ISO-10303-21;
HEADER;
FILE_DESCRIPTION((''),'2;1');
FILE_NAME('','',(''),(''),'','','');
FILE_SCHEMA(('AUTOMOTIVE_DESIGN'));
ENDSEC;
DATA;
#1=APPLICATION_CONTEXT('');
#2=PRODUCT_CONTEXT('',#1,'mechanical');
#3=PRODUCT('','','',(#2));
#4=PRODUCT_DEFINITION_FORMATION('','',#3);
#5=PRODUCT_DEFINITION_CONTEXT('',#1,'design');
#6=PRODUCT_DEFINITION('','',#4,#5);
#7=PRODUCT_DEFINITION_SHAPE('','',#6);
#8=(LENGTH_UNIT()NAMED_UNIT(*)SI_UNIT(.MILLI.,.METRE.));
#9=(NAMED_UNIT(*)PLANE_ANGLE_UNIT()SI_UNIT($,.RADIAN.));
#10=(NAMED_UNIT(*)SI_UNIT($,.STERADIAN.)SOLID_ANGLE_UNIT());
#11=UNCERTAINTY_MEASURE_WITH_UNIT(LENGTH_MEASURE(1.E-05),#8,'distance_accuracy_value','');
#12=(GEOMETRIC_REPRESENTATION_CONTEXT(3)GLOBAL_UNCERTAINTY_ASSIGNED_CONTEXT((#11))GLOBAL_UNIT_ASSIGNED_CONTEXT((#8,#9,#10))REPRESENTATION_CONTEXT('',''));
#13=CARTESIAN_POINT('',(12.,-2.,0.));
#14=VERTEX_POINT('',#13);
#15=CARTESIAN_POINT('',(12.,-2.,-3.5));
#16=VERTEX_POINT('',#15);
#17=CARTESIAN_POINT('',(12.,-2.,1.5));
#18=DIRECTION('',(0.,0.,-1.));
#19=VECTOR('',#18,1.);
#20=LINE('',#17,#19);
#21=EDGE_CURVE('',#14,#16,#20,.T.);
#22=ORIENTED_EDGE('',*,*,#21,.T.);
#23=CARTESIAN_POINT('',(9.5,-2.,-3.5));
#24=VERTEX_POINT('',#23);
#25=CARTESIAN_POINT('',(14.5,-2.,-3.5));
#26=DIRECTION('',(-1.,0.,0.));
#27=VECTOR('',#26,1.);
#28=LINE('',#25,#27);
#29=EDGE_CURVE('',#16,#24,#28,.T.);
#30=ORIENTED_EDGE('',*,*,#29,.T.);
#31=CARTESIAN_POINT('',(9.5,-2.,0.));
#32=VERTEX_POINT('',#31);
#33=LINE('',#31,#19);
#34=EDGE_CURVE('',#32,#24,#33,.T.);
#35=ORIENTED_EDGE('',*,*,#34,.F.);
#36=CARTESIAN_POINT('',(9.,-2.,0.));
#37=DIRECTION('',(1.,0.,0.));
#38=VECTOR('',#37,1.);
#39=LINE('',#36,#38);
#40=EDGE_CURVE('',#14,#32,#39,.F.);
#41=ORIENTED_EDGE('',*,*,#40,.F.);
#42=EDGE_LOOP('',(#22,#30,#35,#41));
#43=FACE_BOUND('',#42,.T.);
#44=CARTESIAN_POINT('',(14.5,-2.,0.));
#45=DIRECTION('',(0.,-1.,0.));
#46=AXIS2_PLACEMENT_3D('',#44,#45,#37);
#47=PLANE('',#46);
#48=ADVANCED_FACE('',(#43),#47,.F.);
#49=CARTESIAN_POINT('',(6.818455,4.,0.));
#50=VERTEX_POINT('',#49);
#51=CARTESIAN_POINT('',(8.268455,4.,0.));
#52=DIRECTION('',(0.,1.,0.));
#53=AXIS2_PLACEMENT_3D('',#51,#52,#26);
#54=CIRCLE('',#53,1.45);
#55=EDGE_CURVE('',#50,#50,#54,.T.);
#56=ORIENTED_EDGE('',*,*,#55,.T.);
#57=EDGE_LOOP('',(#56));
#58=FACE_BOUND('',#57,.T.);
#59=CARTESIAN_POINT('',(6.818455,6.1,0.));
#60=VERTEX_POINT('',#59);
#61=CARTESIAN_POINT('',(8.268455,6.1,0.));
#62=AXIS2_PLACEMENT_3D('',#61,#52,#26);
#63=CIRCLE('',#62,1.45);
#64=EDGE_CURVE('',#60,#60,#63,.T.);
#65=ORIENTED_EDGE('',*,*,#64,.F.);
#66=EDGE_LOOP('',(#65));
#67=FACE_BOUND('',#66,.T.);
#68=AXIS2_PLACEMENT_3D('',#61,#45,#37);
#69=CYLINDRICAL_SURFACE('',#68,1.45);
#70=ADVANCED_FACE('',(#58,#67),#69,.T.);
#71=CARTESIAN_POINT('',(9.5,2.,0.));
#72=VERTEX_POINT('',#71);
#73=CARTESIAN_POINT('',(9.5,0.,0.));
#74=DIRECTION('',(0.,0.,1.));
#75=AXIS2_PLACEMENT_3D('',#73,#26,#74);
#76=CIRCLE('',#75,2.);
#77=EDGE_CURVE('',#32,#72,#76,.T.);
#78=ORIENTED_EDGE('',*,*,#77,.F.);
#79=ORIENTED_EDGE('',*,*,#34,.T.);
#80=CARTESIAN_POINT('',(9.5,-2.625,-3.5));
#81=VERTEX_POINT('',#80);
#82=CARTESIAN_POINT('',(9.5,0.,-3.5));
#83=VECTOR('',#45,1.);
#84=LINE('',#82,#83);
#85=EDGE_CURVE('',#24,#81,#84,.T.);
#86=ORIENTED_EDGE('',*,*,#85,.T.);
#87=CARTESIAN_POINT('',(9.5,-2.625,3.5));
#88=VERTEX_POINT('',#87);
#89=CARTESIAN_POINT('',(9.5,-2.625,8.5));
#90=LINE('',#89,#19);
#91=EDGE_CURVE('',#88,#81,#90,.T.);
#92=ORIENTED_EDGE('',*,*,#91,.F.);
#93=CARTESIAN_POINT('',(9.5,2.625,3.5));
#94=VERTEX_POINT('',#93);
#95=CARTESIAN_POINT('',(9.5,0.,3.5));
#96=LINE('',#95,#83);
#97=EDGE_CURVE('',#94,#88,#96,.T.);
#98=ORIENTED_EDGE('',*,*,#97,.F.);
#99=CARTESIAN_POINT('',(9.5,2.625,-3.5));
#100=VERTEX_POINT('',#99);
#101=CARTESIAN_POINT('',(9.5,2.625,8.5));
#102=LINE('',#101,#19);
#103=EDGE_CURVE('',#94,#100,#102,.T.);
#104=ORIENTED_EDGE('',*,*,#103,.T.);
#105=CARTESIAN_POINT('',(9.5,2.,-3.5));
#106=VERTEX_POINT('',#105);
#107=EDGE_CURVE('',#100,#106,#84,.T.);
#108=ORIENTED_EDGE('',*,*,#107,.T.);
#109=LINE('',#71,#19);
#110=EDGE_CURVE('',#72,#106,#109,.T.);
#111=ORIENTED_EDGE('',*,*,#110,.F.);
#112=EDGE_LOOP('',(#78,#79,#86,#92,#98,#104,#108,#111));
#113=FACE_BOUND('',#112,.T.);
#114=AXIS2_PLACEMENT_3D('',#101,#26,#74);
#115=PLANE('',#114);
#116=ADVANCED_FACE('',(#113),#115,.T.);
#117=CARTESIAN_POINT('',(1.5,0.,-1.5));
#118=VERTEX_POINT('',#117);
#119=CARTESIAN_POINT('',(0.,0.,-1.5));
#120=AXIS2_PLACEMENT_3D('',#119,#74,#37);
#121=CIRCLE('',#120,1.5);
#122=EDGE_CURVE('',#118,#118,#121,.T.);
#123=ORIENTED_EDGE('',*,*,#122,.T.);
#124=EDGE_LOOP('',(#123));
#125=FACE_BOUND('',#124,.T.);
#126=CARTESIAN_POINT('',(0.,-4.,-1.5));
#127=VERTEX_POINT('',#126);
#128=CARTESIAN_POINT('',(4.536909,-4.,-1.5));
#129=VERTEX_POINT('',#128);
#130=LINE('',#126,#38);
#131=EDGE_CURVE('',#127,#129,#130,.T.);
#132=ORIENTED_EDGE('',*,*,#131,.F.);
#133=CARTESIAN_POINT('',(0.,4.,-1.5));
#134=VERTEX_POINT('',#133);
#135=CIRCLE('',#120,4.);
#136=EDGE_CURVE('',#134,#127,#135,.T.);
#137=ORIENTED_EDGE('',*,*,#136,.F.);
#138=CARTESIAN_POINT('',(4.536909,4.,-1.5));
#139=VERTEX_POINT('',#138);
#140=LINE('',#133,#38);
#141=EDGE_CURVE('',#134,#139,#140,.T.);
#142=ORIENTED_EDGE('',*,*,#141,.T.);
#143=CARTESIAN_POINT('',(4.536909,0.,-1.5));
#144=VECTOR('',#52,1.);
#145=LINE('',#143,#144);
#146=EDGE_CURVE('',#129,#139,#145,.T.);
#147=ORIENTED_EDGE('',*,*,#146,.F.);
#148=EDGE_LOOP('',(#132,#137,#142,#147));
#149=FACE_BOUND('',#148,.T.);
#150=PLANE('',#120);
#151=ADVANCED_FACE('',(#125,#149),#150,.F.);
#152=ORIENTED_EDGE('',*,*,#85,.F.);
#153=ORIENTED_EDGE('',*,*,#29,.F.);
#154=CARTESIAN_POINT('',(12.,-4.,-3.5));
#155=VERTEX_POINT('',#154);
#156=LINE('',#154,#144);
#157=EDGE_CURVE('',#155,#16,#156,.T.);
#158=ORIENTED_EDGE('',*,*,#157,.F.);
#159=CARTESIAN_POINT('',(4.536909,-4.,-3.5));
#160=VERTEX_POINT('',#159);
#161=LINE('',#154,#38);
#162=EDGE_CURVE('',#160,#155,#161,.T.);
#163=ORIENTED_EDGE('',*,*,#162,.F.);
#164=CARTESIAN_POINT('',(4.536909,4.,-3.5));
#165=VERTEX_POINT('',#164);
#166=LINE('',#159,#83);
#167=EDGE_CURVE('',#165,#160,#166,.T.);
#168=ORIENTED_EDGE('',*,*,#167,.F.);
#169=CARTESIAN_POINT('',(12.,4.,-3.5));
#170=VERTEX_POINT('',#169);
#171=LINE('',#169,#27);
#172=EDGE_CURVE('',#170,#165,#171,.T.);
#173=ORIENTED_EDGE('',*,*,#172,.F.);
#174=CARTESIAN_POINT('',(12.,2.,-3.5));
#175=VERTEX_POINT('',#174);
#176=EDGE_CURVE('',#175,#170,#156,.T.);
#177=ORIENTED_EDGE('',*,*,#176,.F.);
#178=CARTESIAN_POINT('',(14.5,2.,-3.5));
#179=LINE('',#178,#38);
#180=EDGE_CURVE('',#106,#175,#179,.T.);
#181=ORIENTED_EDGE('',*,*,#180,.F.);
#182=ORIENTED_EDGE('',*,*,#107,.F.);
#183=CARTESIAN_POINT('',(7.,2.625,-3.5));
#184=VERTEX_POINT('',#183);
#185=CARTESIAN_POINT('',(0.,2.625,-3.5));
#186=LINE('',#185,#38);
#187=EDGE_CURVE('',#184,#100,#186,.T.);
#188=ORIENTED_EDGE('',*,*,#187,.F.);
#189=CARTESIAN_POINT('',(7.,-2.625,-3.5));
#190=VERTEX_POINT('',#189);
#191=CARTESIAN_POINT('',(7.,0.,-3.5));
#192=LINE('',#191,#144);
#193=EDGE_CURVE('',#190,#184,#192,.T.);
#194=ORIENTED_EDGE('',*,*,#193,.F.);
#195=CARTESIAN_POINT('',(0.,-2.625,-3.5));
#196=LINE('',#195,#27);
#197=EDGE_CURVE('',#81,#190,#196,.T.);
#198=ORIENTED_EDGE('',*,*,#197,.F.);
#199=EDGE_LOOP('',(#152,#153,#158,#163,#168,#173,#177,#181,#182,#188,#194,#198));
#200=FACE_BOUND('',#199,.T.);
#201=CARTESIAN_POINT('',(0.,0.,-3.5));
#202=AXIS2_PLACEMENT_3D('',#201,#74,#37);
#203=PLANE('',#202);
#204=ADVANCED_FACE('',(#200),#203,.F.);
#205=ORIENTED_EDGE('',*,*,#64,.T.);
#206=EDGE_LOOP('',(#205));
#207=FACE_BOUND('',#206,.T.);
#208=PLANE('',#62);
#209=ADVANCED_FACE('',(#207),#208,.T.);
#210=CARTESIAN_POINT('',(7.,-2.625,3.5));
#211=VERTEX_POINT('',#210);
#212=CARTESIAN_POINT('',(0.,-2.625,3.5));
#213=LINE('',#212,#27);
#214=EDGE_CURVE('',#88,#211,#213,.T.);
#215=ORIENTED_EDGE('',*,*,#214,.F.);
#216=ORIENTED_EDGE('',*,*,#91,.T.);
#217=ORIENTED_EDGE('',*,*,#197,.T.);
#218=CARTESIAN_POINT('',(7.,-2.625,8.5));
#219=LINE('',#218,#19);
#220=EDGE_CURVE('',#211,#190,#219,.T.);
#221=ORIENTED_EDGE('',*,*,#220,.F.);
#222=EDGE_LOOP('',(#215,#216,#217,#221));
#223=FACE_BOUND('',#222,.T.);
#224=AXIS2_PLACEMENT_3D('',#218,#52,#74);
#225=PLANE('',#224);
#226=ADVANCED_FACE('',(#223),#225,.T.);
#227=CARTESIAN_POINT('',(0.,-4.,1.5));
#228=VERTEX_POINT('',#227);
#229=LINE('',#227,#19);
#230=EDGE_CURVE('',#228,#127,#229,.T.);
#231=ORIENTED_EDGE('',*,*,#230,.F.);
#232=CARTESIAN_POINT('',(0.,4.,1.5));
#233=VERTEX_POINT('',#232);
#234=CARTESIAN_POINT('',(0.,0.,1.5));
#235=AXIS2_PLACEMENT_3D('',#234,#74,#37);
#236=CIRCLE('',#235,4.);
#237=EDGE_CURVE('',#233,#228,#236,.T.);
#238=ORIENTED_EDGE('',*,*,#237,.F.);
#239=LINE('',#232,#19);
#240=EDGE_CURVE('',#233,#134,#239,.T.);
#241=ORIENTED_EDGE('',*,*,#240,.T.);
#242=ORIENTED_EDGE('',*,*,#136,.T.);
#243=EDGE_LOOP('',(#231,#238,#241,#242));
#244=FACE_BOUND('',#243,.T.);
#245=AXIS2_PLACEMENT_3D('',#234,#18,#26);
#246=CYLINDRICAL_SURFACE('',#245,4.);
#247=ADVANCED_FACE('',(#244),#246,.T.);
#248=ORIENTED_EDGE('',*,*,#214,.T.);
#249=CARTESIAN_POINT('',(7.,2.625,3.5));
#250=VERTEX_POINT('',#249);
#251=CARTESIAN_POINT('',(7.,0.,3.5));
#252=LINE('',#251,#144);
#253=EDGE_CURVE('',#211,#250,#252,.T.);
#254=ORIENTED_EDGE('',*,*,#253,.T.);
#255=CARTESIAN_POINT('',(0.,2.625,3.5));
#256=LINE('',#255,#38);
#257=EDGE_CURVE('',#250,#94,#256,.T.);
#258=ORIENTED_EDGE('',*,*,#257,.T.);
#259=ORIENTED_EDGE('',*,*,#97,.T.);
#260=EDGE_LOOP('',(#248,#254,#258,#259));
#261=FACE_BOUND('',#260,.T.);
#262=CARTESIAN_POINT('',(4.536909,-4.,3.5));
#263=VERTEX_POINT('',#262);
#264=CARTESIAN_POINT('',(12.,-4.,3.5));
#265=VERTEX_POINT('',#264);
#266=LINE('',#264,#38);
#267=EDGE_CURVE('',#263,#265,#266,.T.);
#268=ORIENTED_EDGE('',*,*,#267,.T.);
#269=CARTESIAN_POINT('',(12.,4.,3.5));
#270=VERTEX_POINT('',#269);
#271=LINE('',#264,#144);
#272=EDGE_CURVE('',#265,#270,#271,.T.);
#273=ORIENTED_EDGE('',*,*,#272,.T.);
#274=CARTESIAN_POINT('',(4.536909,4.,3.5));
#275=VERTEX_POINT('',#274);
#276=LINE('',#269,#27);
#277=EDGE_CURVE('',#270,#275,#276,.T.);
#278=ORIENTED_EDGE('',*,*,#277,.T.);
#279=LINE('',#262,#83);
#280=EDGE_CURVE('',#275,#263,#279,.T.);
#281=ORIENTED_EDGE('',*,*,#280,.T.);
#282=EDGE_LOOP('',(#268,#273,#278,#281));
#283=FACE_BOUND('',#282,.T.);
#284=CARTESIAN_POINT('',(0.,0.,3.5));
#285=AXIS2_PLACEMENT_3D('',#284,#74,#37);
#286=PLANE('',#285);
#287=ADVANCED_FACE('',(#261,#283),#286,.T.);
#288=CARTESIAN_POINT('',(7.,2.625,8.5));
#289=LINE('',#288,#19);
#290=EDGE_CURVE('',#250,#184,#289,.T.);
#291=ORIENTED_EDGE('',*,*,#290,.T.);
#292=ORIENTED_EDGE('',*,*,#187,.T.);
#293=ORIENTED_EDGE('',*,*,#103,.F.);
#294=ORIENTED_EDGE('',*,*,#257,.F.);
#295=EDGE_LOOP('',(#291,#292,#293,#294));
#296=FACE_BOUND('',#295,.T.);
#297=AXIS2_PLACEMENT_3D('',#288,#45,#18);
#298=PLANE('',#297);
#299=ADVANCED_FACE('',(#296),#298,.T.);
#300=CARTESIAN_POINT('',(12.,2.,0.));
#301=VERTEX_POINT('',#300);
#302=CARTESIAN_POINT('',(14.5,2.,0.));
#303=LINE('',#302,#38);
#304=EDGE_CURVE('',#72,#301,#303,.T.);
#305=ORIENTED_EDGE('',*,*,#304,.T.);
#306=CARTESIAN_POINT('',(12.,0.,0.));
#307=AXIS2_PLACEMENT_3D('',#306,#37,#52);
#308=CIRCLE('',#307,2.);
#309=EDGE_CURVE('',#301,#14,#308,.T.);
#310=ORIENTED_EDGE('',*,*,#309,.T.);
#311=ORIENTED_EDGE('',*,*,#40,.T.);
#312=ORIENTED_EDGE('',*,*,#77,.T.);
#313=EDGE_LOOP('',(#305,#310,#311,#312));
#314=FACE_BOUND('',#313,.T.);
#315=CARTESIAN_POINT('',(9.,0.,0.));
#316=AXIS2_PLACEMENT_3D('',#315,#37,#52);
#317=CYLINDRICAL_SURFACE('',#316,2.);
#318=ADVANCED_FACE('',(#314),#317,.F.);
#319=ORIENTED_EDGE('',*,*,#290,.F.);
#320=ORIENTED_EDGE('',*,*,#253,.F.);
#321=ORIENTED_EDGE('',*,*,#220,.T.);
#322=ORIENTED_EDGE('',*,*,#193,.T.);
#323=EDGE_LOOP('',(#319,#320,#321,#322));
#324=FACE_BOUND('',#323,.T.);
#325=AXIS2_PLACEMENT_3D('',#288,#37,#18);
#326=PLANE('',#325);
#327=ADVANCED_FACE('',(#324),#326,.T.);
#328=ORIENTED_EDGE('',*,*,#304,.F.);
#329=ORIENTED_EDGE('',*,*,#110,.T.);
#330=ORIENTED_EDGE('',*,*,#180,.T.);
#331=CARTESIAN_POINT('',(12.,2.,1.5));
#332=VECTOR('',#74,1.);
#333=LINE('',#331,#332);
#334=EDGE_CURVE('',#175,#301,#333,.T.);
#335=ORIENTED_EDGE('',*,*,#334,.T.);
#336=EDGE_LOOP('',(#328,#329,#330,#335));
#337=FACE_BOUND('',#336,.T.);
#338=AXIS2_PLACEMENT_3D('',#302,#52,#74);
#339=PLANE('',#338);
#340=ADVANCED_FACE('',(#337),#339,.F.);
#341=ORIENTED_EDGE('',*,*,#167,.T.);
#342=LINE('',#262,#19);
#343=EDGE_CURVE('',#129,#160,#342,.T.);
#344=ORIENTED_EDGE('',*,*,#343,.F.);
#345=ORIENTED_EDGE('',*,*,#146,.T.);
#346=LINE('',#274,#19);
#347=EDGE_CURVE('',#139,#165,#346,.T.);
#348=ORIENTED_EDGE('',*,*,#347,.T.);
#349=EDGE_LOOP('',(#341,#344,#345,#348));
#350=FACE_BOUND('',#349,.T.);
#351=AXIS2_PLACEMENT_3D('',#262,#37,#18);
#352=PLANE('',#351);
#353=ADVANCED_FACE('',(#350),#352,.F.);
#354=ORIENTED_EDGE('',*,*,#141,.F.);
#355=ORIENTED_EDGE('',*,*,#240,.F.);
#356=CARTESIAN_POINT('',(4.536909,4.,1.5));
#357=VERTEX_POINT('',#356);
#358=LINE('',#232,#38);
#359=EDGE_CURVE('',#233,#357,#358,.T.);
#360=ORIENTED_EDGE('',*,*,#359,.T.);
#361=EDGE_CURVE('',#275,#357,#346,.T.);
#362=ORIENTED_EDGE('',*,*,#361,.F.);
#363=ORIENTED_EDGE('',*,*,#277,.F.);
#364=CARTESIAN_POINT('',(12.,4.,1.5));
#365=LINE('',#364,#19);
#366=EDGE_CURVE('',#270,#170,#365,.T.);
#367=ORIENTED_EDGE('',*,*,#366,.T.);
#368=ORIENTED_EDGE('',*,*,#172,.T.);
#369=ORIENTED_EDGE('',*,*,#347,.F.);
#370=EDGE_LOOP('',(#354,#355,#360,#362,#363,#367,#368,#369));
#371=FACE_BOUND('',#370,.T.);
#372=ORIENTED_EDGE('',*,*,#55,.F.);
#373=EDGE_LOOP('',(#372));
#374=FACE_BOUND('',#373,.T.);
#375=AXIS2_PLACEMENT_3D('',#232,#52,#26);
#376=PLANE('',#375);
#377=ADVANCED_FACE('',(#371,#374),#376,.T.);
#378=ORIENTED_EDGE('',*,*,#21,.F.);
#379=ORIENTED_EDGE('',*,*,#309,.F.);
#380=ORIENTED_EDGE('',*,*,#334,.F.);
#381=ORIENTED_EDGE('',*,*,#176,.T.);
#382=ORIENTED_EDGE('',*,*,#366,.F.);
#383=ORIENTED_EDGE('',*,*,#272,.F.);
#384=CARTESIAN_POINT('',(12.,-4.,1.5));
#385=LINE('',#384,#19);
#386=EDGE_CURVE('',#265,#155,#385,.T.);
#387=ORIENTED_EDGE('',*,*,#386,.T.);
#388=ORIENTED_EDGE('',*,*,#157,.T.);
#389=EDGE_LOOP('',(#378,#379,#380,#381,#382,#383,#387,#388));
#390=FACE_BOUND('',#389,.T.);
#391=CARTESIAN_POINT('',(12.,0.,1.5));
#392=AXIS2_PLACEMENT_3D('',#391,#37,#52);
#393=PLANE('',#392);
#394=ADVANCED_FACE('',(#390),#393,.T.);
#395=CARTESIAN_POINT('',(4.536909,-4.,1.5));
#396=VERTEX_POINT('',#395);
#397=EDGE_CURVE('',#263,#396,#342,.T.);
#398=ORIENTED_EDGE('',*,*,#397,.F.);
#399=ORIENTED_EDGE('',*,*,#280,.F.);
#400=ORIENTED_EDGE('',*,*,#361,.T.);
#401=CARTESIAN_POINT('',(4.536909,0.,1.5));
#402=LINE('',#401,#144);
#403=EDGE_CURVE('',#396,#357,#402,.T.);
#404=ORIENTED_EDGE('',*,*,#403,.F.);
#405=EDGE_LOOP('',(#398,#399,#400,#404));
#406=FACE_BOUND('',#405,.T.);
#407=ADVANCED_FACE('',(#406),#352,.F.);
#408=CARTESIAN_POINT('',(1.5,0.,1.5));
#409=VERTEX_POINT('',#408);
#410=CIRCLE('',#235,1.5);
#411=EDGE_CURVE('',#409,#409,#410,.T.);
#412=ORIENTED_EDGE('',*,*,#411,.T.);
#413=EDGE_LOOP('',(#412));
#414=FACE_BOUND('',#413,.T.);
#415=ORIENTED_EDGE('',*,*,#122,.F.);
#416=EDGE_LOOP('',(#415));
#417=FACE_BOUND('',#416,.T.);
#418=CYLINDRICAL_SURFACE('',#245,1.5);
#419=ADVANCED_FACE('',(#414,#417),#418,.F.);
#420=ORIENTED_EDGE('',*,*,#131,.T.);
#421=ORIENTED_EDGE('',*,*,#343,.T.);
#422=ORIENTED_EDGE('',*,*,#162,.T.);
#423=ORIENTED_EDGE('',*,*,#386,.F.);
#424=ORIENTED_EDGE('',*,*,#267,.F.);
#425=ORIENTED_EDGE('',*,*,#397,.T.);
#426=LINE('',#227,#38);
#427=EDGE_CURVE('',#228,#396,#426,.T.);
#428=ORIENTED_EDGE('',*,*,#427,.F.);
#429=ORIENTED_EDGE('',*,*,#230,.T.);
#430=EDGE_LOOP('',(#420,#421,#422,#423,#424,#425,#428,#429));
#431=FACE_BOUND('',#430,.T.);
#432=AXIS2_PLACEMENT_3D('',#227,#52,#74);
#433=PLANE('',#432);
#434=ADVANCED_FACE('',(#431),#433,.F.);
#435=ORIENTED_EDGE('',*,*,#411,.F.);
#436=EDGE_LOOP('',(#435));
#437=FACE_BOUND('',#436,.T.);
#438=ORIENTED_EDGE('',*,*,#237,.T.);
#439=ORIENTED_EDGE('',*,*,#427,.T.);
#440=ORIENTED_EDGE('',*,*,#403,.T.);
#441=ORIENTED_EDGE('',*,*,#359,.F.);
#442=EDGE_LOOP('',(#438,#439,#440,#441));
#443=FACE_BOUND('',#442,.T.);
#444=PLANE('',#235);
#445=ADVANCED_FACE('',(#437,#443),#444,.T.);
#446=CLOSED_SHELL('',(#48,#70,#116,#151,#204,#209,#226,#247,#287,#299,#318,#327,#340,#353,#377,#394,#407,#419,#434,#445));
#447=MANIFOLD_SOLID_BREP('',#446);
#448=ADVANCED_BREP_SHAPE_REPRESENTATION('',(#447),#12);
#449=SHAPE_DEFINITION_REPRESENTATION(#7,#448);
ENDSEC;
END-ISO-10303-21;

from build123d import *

# Parameters (mm, degrees)
SKETCH1_R               = 1.5
BOSS_EXTRUDE1_DEPTH     = 1.5
SKETCH5_W               = 7.463090523
SKETCH5_H               = 8
BOSS_EXTRUDE2_DEPTH     = 3.5
CUT_EXTRUDE1_DEPTH      = 7
CUT_EXTRUDE1_DEPTH_BACK = 6
SKETCH2_W               = 2.5
SKETCH2_H               = 5.25
SKETCH3_R               = 2
CUT_EXTRUDE2_DEPTH      = 3
SKETCH6_W               = 5
SKETCH6_H               = 4
CUT_EXTRUDE3_DEPTH      = 3.5
SKETCH7_R               = 1.45
BOSS_EXTRUDE3_DEPTH     = 2.1


with BuildPart() as part:
    # Sketch1 → Boss-Extrude1 (new, symmetric)
    with BuildSketch(Plane.XY):
        with BuildLine():
            Line((12, 4), (0, 4))
            ThreePointArc((0, 4), (-4, 0), (0, -4))
            Line((0, -4), (12, -4))
            Line((12, -4), (12, 4))
        make_face()
        Circle(SKETCH1_R, mode=Mode.SUBTRACT)
    extrude(amount=BOSS_EXTRUDE1_DEPTH, both=True)

    # Sketch5 → Boss-Extrude2 (add, symmetric)
    with BuildSketch(Plane.XY):
        with Locations((8.268454739, 0)):
            Rectangle(SKETCH5_W, SKETCH5_H)
    extrude(amount=BOSS_EXTRUDE2_DEPTH, both=True)

    # Sketch2 → Cut-Extrude1 (cut, two sides: drawn at the far end of the back side and taken through both)
    with BuildSketch(Plane.XY.offset(1.5).offset(-CUT_EXTRUDE1_DEPTH_BACK)):
        with Locations((8.25, 0)):
            Rectangle(SKETCH2_W, SKETCH2_H)
    extrude(amount=CUT_EXTRUDE1_DEPTH + CUT_EXTRUDE1_DEPTH_BACK, mode=Mode.SUBTRACT)

    # Sketch3 → Cut-Extrude2 (cut)
    with BuildSketch(Plane(origin=(12, 0, 0), x_dir=(0, 0, -1), z_dir=(1, 0, 0))):
        with Locations(Location((0, 0, 0), (0, 0, 90))):
            Circle(SKETCH3_R)
    extrude(amount=-CUT_EXTRUDE2_DEPTH, mode=Mode.SUBTRACT)

    # Sketch6 → Cut-Extrude3 (cut)
    with BuildSketch(Plane(origin=(0, 0, -3.5), x_dir=(-1, 0, 0), z_dir=(0, 0, -1))):
        with Locations((-12, 0)):
            Rectangle(SKETCH6_W, SKETCH6_H)
    extrude(amount=-CUT_EXTRUDE3_DEPTH, mode=Mode.SUBTRACT)

    # Sketch7 → Boss-Extrude3 (add)
    with BuildSketch(Plane(origin=(0, 4, 0), x_dir=(1, 0, 0), z_dir=(0, 1, 0))):
        with Locations(Location((8.268454739, 0, 0), (0, 0, 180))):
            Circle(SKETCH7_R)
    extrude(amount=BOSS_EXTRUDE3_DEPTH)


solid = part.part
